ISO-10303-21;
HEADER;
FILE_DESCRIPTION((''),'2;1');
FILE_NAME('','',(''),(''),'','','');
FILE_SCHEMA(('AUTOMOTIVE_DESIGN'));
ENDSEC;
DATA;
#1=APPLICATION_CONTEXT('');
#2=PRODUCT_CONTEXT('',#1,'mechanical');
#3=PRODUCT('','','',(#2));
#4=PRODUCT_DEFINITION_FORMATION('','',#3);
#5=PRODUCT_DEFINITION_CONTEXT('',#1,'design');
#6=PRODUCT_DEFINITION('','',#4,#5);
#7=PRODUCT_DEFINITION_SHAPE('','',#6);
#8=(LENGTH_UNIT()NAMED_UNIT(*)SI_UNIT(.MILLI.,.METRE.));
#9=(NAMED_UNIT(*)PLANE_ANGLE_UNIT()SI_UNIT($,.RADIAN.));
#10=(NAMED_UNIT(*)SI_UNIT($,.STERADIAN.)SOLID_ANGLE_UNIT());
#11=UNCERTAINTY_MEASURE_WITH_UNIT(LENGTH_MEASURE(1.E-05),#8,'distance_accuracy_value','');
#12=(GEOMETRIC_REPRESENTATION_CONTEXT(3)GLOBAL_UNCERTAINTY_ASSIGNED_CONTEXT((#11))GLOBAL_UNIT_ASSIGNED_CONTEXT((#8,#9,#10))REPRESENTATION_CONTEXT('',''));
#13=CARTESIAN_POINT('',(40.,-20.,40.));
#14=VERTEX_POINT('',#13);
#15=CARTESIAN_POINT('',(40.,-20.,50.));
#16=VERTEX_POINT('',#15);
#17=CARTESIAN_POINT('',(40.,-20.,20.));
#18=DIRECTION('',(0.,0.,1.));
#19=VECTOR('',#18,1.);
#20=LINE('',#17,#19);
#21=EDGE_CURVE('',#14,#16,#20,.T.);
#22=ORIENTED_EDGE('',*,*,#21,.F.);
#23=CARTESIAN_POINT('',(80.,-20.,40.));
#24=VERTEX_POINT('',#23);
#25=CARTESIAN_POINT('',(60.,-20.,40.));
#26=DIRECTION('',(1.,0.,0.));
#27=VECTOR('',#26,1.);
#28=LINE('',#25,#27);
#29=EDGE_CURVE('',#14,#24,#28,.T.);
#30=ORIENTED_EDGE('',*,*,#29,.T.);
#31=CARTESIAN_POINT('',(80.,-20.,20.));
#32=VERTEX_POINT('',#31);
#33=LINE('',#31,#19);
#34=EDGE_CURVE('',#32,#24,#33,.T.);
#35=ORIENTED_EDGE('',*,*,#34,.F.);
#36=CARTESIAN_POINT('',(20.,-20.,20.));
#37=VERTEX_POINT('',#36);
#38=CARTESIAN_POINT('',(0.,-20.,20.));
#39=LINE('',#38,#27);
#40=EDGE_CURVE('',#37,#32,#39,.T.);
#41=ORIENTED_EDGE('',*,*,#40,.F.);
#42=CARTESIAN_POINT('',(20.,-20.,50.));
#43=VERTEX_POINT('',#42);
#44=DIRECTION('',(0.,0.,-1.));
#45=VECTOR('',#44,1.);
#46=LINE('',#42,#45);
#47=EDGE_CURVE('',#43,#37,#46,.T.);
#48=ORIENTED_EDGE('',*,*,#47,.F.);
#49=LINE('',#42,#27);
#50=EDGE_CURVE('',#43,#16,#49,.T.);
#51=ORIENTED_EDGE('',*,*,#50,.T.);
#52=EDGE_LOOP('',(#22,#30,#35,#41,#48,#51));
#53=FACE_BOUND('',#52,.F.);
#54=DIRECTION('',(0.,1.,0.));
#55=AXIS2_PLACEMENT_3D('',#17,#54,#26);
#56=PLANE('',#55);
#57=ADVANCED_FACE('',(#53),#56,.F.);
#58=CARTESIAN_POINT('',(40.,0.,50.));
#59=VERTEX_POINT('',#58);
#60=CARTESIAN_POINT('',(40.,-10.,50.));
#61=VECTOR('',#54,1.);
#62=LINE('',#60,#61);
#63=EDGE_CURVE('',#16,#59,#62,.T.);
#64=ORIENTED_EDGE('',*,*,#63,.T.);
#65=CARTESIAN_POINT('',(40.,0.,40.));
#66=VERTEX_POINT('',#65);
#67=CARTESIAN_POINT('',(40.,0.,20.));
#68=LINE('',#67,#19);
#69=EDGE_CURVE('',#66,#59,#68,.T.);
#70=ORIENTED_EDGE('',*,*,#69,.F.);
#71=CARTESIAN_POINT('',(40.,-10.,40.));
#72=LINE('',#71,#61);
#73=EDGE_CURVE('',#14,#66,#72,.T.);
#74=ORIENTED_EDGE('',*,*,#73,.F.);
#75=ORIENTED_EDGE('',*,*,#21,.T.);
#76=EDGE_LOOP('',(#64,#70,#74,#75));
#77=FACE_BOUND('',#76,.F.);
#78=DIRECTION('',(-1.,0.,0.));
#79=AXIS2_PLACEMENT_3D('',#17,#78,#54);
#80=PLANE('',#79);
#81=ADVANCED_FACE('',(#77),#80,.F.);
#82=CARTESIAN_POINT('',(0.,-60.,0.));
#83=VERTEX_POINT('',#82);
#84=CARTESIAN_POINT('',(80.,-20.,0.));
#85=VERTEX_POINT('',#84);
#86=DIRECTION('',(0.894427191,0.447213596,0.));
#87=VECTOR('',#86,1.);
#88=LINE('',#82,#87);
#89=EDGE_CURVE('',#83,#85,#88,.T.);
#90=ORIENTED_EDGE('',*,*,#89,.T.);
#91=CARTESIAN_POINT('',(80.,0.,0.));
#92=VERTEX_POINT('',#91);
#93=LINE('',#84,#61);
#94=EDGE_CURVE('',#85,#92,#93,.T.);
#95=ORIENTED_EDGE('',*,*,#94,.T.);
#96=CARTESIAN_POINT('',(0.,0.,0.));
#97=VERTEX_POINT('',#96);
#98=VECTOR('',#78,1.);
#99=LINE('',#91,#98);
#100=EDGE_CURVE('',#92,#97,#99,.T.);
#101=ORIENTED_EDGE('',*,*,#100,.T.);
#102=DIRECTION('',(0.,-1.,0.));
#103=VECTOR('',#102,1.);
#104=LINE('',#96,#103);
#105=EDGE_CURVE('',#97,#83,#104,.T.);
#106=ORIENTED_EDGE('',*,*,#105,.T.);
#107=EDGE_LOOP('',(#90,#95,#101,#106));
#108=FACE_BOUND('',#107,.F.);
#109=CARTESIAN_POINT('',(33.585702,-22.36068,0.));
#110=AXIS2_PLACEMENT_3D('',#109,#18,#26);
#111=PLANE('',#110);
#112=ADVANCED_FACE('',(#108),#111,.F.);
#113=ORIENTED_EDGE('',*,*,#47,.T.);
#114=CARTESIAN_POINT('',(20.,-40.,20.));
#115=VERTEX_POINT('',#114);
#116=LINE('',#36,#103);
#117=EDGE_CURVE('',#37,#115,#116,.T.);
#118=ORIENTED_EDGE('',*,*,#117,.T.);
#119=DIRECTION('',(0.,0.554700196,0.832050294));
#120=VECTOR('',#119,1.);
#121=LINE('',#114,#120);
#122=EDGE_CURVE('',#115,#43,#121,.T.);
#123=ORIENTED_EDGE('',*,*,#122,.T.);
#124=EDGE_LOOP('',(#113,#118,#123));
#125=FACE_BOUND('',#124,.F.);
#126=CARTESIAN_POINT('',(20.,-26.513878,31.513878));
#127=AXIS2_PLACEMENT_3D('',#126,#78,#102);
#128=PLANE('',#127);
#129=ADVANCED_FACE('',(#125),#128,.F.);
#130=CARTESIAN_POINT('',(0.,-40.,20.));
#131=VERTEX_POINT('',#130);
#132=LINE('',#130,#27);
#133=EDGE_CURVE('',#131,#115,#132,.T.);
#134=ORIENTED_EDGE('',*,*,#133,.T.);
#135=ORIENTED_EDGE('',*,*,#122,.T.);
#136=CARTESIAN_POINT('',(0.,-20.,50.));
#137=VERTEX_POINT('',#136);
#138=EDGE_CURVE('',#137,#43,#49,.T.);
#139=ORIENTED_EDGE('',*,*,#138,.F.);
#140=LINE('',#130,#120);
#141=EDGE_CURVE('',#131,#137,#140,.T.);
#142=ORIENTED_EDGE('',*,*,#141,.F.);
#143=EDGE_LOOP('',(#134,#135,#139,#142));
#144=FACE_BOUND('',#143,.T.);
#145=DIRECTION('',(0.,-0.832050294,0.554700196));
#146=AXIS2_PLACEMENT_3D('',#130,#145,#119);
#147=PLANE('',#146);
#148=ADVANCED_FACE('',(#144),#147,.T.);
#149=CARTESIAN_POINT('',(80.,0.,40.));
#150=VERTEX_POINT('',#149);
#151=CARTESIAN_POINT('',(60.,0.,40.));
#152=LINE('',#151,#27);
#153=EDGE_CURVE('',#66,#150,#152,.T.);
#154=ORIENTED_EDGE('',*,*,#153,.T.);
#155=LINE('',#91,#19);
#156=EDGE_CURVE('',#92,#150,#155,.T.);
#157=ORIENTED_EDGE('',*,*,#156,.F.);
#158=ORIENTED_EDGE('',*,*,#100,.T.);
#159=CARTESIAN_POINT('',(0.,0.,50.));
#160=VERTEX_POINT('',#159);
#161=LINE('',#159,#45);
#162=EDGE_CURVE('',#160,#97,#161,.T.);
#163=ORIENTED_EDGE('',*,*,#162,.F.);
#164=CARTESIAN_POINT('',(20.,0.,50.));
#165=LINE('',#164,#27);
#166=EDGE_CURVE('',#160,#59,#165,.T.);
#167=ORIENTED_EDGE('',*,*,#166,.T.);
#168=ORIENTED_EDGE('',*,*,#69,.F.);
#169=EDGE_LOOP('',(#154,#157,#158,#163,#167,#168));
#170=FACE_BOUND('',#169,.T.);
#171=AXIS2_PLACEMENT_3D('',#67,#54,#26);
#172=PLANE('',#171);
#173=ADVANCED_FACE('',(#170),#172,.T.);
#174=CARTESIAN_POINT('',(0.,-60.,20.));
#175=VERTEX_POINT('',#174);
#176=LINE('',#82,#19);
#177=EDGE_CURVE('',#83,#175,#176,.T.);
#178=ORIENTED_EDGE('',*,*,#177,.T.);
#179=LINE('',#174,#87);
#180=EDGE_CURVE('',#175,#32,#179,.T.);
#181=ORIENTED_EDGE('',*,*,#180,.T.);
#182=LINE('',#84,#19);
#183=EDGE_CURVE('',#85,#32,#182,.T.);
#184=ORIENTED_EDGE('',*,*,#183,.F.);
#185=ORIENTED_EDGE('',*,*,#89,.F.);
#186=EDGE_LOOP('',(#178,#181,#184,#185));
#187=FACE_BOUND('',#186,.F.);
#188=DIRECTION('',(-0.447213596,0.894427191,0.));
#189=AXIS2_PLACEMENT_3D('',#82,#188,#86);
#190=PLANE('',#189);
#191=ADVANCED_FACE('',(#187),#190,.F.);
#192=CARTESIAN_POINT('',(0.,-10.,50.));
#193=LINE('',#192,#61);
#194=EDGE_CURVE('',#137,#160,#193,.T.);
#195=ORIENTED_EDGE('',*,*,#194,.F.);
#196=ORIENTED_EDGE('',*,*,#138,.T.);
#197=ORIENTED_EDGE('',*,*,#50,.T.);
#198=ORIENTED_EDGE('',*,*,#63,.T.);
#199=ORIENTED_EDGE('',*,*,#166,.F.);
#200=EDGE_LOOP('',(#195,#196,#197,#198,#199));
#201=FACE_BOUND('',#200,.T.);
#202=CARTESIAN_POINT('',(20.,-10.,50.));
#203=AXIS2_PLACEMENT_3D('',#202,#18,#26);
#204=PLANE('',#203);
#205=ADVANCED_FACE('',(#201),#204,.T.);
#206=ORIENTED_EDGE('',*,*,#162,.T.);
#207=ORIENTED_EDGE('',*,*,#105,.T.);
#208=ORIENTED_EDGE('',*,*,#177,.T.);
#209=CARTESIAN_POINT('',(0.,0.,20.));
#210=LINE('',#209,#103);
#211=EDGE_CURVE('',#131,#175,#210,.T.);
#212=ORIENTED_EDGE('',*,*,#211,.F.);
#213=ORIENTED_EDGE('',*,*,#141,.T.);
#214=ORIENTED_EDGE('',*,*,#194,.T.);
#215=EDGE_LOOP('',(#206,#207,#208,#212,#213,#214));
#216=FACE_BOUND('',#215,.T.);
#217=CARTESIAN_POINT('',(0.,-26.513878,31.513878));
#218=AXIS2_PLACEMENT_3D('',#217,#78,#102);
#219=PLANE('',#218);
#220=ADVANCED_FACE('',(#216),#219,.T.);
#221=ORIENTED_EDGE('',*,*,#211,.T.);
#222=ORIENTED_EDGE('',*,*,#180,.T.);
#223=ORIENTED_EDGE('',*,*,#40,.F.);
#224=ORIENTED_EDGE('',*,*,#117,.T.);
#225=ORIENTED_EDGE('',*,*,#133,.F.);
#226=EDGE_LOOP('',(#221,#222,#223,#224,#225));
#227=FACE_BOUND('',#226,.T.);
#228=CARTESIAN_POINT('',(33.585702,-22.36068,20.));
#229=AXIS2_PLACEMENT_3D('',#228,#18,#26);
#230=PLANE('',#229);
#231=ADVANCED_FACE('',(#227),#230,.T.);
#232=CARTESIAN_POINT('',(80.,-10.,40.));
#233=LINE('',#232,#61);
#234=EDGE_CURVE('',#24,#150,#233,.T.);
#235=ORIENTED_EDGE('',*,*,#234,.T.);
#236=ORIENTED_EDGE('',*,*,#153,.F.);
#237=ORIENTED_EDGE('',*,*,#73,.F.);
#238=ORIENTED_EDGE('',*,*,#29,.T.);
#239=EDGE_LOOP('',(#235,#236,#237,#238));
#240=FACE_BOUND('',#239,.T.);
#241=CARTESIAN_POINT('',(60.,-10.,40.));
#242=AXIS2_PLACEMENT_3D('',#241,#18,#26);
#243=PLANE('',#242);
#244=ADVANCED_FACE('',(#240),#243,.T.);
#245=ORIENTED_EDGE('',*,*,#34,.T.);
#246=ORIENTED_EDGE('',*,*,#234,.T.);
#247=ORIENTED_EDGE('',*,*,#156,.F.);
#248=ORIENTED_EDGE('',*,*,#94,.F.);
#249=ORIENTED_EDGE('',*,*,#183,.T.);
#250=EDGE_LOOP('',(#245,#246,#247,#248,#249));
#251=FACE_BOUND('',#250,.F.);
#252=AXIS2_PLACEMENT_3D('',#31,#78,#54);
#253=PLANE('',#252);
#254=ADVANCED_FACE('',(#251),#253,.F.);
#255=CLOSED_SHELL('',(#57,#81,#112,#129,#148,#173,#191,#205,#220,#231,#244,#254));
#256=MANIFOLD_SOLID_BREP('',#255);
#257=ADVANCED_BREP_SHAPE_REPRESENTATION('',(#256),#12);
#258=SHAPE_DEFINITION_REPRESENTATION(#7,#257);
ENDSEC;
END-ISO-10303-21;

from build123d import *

# Parameters (mm, degrees)
F1_DEPTH = 20
F2_W     = 40
F2_H     = 20
F3_DEPTH = 30
F4_DEPTH = 20
F6_DEPTH = 20


with BuildPart() as f1:
    # F0 (on Top) → F1 (new body)
    with BuildSketch(Plane.XY):
        Polygon((80, 0), (0, 0), (0, -60), (80, -20), align=None)
    extrude(amount=F1_DEPTH)

    # F2 (on face) → F3 (join)
    with BuildSketch(Plane.XY.offset(20)):
        with Locations((20, -10)):
            Rectangle(F2_W, F2_H)
    extrude(amount=F3_DEPTH)

    # F2 (on face) → F4 (join)
    with BuildSketch(Plane.XY.offset(20)):
        with Locations((60, -10)):
            Rectangle(F2_W, F2_H)
    extrude(amount=F4_DEPTH)

    # F5 (on face) → F6 (join)
    with BuildSketch(Plane(origin=(0, 0, 0), x_dir=(0, -1, 0), z_dir=(-1, 0, 0))):
        Polygon((40, 20), (20, 50), (20, 20), align=None)
    extrude(amount=-F6_DEPTH)


solid = f1.part
